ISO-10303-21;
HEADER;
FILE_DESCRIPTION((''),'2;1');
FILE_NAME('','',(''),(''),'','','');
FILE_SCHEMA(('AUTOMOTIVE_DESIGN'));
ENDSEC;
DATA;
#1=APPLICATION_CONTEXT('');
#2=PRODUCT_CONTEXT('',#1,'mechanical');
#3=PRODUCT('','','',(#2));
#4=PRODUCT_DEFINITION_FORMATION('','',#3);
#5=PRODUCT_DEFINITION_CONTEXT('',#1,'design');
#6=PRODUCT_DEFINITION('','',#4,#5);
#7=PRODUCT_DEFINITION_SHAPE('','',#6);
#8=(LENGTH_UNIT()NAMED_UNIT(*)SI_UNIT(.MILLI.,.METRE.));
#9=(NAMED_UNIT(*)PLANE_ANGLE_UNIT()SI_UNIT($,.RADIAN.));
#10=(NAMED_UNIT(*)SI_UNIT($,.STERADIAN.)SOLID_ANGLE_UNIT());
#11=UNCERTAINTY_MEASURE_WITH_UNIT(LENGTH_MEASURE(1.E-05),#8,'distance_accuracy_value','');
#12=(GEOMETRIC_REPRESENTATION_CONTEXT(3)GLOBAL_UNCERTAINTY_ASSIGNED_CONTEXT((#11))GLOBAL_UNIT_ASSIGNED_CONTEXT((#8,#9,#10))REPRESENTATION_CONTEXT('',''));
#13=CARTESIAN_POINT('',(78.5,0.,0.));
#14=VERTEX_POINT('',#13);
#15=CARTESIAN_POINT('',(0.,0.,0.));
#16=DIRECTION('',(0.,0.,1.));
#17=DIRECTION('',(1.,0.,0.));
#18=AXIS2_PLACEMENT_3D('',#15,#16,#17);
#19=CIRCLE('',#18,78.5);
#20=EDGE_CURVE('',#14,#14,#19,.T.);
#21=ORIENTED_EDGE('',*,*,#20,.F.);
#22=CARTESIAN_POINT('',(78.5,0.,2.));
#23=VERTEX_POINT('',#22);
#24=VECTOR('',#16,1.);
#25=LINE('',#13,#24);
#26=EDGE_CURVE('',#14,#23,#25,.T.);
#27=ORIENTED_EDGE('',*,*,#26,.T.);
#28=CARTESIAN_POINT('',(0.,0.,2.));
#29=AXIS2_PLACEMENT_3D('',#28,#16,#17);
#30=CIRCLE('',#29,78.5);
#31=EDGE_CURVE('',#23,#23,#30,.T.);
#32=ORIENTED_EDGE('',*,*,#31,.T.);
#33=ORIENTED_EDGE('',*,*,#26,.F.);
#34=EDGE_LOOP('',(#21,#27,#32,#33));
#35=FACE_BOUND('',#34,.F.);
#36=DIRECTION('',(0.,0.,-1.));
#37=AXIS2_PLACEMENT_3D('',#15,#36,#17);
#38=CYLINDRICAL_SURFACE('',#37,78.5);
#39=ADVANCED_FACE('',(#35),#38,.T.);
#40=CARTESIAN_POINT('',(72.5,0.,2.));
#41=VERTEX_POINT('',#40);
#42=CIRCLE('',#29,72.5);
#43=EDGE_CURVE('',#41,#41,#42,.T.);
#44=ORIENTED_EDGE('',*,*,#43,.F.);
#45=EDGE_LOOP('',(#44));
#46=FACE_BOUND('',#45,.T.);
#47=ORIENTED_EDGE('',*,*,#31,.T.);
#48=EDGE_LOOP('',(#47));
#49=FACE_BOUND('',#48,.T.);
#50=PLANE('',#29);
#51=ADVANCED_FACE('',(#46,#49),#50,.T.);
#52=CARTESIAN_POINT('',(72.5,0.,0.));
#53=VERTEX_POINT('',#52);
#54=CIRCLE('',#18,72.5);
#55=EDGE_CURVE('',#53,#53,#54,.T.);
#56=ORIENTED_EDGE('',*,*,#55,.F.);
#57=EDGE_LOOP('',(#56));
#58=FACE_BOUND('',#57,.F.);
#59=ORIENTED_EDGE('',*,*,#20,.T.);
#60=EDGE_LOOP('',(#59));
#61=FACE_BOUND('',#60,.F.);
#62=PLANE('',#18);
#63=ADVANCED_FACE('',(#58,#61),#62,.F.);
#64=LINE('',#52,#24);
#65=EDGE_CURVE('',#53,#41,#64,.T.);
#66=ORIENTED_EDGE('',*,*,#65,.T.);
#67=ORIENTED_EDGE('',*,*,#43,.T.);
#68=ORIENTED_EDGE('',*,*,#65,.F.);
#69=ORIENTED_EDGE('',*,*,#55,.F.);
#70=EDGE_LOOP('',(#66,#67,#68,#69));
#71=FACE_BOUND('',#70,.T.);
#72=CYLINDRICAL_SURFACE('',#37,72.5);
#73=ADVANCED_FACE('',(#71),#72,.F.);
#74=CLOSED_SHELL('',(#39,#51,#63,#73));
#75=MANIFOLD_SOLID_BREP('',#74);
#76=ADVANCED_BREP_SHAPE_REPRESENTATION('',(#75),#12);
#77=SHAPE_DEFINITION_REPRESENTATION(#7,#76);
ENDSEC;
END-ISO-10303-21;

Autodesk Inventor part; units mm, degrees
ref_plane "YZ Plane" through (0, 0, 0) normal (1, 0, 0) x (0, 1, 0)
ref_plane "XZ Plane" through (0, 0, 0) normal (0, 1, 0) x (-1, 0, 0)
ref_plane "XY Plane" through (0, 0, 0) normal (0, 0, 1) x (1, 0, 0)
sketch "Эскиз1" plane through (0, 0, 0) normal (0, 0, 1) x (1, 0, 0)
  circle A0 centre (0, 0) radius 72.5
  circle A1 centre (0, 0) radius 78.5
  dimension "d0" = 145
  dimension "d1" = 157
extrude "Выдавливание1" add sketch "Эскиз1" along normal blind 2
properties part number "Прокладка клапана_CPY"
